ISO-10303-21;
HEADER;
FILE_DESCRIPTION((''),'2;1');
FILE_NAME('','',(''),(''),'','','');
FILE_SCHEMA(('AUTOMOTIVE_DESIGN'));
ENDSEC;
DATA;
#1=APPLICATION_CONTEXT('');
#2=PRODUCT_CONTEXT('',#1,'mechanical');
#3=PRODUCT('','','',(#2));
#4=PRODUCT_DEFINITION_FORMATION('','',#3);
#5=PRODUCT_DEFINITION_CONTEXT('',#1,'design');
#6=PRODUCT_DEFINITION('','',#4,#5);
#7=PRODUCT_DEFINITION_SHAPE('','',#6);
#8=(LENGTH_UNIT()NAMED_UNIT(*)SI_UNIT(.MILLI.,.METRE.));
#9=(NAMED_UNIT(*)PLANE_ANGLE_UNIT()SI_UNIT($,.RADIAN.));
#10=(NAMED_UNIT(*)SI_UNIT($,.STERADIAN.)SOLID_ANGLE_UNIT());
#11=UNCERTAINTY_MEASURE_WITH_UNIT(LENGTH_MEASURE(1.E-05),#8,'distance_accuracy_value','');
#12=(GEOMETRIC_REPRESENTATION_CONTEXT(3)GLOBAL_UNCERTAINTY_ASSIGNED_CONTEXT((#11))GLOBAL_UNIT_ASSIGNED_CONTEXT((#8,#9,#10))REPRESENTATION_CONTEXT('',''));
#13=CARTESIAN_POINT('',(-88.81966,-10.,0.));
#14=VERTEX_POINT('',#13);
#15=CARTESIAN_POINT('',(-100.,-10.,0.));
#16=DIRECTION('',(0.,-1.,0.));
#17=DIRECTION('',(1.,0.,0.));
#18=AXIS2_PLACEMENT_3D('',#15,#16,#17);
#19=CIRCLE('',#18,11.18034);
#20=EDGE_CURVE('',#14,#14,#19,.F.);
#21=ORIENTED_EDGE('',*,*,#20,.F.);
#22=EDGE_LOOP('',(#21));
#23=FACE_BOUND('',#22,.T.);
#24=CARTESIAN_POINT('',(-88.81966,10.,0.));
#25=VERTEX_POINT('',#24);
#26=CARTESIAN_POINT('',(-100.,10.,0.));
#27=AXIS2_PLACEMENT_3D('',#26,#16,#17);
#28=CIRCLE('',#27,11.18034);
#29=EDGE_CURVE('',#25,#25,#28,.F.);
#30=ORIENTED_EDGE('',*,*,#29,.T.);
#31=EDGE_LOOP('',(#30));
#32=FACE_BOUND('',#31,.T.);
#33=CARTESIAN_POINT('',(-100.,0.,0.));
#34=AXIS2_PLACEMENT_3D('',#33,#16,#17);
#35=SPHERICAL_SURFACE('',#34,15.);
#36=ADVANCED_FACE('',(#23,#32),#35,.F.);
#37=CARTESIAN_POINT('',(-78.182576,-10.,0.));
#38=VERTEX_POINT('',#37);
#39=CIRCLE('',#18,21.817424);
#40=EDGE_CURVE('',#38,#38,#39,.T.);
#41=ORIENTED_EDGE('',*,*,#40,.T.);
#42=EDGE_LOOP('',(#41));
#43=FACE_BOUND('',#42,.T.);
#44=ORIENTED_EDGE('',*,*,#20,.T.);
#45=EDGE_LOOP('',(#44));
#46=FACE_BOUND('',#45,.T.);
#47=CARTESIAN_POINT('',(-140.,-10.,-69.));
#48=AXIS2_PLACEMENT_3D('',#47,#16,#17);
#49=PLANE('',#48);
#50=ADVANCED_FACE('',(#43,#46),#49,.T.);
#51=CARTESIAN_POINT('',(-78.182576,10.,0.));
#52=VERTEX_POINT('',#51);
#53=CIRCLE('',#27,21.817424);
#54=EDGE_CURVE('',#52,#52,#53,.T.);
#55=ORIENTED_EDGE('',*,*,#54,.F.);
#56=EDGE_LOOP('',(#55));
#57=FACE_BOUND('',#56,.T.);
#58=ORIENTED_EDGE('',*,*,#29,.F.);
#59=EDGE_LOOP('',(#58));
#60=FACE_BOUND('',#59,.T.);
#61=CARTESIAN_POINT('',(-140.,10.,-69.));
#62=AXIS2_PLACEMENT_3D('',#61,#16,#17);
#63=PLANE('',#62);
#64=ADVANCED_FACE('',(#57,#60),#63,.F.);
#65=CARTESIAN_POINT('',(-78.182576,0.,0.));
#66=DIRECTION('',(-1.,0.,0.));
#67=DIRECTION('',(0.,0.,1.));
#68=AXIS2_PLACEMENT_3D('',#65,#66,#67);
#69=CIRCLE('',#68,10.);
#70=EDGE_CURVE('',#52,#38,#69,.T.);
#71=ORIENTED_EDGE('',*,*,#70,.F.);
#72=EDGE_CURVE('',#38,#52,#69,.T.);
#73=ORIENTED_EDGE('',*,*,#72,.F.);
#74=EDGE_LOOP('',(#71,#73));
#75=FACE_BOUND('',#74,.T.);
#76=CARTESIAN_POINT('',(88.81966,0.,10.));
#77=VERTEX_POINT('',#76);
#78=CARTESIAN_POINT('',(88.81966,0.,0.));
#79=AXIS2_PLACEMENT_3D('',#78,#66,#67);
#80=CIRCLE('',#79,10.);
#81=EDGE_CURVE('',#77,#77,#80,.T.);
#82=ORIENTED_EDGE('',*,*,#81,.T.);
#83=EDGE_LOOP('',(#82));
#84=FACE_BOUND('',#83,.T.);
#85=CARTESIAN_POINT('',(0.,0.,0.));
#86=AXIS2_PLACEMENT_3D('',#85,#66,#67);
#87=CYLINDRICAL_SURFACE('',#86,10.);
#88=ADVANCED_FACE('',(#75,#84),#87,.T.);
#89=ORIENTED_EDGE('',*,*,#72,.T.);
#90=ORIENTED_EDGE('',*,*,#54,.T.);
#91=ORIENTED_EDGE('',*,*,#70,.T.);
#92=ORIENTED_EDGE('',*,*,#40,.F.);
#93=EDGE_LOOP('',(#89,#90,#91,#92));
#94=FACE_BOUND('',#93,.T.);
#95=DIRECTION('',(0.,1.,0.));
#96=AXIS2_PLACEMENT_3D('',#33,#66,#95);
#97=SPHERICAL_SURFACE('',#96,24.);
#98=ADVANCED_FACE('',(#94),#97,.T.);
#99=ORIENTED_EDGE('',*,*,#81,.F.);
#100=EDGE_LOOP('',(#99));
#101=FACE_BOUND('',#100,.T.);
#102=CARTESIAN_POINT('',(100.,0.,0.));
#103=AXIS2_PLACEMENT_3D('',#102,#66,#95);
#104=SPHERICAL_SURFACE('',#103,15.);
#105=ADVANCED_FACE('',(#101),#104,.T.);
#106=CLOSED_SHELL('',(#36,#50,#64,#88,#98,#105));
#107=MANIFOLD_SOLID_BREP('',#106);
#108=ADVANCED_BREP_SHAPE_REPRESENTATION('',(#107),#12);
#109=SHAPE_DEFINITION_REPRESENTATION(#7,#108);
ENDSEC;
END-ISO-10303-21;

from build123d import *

# Parameters (mm, degrees)
SKETCH_3_W          = 80
SKETCH_3_H          = 20
CUT_EXTRUDE_2_DEPTH = 69


with BuildPart() as part:
    # 草图2 → 旋转1 (revolve)
    with BuildSketch(Plane.XY):
        with BuildLine():
            Line((0, 10), (88.819660113, 10))
            ThreePointArc((88.819660113, 10), (105.352331347, 14.012585384), (115, 0))
            Line((115, 0), (-85, 0))
            ThreePointArc((-85, 0), (-100, 15), (-115, 0))
            Line((-115, 0), (-124, 0))
            ThreePointArc((-124, 0), (-105.117705467, 23.448008247), (-78.182575771, 10))
            Line((-78.182575771, 10), (0, 10))
        make_face()
    revolve(axis=Axis((0, 0, 0), (1, 0, 0)))

    # 草图3 → 切除-拉伸2 (cut, symmetric)
    with BuildSketch(Plane.XY):
        with Locations((-100, 20)):
            Rectangle(SKETCH_3_W, SKETCH_3_H)
        with Locations((-100, -20)):
            Rectangle(SKETCH_3_W, SKETCH_3_H)
    extrude(amount=CUT_EXTRUDE_2_DEPTH, both=True, mode=Mode.SUBTRACT)


solid = part.part
